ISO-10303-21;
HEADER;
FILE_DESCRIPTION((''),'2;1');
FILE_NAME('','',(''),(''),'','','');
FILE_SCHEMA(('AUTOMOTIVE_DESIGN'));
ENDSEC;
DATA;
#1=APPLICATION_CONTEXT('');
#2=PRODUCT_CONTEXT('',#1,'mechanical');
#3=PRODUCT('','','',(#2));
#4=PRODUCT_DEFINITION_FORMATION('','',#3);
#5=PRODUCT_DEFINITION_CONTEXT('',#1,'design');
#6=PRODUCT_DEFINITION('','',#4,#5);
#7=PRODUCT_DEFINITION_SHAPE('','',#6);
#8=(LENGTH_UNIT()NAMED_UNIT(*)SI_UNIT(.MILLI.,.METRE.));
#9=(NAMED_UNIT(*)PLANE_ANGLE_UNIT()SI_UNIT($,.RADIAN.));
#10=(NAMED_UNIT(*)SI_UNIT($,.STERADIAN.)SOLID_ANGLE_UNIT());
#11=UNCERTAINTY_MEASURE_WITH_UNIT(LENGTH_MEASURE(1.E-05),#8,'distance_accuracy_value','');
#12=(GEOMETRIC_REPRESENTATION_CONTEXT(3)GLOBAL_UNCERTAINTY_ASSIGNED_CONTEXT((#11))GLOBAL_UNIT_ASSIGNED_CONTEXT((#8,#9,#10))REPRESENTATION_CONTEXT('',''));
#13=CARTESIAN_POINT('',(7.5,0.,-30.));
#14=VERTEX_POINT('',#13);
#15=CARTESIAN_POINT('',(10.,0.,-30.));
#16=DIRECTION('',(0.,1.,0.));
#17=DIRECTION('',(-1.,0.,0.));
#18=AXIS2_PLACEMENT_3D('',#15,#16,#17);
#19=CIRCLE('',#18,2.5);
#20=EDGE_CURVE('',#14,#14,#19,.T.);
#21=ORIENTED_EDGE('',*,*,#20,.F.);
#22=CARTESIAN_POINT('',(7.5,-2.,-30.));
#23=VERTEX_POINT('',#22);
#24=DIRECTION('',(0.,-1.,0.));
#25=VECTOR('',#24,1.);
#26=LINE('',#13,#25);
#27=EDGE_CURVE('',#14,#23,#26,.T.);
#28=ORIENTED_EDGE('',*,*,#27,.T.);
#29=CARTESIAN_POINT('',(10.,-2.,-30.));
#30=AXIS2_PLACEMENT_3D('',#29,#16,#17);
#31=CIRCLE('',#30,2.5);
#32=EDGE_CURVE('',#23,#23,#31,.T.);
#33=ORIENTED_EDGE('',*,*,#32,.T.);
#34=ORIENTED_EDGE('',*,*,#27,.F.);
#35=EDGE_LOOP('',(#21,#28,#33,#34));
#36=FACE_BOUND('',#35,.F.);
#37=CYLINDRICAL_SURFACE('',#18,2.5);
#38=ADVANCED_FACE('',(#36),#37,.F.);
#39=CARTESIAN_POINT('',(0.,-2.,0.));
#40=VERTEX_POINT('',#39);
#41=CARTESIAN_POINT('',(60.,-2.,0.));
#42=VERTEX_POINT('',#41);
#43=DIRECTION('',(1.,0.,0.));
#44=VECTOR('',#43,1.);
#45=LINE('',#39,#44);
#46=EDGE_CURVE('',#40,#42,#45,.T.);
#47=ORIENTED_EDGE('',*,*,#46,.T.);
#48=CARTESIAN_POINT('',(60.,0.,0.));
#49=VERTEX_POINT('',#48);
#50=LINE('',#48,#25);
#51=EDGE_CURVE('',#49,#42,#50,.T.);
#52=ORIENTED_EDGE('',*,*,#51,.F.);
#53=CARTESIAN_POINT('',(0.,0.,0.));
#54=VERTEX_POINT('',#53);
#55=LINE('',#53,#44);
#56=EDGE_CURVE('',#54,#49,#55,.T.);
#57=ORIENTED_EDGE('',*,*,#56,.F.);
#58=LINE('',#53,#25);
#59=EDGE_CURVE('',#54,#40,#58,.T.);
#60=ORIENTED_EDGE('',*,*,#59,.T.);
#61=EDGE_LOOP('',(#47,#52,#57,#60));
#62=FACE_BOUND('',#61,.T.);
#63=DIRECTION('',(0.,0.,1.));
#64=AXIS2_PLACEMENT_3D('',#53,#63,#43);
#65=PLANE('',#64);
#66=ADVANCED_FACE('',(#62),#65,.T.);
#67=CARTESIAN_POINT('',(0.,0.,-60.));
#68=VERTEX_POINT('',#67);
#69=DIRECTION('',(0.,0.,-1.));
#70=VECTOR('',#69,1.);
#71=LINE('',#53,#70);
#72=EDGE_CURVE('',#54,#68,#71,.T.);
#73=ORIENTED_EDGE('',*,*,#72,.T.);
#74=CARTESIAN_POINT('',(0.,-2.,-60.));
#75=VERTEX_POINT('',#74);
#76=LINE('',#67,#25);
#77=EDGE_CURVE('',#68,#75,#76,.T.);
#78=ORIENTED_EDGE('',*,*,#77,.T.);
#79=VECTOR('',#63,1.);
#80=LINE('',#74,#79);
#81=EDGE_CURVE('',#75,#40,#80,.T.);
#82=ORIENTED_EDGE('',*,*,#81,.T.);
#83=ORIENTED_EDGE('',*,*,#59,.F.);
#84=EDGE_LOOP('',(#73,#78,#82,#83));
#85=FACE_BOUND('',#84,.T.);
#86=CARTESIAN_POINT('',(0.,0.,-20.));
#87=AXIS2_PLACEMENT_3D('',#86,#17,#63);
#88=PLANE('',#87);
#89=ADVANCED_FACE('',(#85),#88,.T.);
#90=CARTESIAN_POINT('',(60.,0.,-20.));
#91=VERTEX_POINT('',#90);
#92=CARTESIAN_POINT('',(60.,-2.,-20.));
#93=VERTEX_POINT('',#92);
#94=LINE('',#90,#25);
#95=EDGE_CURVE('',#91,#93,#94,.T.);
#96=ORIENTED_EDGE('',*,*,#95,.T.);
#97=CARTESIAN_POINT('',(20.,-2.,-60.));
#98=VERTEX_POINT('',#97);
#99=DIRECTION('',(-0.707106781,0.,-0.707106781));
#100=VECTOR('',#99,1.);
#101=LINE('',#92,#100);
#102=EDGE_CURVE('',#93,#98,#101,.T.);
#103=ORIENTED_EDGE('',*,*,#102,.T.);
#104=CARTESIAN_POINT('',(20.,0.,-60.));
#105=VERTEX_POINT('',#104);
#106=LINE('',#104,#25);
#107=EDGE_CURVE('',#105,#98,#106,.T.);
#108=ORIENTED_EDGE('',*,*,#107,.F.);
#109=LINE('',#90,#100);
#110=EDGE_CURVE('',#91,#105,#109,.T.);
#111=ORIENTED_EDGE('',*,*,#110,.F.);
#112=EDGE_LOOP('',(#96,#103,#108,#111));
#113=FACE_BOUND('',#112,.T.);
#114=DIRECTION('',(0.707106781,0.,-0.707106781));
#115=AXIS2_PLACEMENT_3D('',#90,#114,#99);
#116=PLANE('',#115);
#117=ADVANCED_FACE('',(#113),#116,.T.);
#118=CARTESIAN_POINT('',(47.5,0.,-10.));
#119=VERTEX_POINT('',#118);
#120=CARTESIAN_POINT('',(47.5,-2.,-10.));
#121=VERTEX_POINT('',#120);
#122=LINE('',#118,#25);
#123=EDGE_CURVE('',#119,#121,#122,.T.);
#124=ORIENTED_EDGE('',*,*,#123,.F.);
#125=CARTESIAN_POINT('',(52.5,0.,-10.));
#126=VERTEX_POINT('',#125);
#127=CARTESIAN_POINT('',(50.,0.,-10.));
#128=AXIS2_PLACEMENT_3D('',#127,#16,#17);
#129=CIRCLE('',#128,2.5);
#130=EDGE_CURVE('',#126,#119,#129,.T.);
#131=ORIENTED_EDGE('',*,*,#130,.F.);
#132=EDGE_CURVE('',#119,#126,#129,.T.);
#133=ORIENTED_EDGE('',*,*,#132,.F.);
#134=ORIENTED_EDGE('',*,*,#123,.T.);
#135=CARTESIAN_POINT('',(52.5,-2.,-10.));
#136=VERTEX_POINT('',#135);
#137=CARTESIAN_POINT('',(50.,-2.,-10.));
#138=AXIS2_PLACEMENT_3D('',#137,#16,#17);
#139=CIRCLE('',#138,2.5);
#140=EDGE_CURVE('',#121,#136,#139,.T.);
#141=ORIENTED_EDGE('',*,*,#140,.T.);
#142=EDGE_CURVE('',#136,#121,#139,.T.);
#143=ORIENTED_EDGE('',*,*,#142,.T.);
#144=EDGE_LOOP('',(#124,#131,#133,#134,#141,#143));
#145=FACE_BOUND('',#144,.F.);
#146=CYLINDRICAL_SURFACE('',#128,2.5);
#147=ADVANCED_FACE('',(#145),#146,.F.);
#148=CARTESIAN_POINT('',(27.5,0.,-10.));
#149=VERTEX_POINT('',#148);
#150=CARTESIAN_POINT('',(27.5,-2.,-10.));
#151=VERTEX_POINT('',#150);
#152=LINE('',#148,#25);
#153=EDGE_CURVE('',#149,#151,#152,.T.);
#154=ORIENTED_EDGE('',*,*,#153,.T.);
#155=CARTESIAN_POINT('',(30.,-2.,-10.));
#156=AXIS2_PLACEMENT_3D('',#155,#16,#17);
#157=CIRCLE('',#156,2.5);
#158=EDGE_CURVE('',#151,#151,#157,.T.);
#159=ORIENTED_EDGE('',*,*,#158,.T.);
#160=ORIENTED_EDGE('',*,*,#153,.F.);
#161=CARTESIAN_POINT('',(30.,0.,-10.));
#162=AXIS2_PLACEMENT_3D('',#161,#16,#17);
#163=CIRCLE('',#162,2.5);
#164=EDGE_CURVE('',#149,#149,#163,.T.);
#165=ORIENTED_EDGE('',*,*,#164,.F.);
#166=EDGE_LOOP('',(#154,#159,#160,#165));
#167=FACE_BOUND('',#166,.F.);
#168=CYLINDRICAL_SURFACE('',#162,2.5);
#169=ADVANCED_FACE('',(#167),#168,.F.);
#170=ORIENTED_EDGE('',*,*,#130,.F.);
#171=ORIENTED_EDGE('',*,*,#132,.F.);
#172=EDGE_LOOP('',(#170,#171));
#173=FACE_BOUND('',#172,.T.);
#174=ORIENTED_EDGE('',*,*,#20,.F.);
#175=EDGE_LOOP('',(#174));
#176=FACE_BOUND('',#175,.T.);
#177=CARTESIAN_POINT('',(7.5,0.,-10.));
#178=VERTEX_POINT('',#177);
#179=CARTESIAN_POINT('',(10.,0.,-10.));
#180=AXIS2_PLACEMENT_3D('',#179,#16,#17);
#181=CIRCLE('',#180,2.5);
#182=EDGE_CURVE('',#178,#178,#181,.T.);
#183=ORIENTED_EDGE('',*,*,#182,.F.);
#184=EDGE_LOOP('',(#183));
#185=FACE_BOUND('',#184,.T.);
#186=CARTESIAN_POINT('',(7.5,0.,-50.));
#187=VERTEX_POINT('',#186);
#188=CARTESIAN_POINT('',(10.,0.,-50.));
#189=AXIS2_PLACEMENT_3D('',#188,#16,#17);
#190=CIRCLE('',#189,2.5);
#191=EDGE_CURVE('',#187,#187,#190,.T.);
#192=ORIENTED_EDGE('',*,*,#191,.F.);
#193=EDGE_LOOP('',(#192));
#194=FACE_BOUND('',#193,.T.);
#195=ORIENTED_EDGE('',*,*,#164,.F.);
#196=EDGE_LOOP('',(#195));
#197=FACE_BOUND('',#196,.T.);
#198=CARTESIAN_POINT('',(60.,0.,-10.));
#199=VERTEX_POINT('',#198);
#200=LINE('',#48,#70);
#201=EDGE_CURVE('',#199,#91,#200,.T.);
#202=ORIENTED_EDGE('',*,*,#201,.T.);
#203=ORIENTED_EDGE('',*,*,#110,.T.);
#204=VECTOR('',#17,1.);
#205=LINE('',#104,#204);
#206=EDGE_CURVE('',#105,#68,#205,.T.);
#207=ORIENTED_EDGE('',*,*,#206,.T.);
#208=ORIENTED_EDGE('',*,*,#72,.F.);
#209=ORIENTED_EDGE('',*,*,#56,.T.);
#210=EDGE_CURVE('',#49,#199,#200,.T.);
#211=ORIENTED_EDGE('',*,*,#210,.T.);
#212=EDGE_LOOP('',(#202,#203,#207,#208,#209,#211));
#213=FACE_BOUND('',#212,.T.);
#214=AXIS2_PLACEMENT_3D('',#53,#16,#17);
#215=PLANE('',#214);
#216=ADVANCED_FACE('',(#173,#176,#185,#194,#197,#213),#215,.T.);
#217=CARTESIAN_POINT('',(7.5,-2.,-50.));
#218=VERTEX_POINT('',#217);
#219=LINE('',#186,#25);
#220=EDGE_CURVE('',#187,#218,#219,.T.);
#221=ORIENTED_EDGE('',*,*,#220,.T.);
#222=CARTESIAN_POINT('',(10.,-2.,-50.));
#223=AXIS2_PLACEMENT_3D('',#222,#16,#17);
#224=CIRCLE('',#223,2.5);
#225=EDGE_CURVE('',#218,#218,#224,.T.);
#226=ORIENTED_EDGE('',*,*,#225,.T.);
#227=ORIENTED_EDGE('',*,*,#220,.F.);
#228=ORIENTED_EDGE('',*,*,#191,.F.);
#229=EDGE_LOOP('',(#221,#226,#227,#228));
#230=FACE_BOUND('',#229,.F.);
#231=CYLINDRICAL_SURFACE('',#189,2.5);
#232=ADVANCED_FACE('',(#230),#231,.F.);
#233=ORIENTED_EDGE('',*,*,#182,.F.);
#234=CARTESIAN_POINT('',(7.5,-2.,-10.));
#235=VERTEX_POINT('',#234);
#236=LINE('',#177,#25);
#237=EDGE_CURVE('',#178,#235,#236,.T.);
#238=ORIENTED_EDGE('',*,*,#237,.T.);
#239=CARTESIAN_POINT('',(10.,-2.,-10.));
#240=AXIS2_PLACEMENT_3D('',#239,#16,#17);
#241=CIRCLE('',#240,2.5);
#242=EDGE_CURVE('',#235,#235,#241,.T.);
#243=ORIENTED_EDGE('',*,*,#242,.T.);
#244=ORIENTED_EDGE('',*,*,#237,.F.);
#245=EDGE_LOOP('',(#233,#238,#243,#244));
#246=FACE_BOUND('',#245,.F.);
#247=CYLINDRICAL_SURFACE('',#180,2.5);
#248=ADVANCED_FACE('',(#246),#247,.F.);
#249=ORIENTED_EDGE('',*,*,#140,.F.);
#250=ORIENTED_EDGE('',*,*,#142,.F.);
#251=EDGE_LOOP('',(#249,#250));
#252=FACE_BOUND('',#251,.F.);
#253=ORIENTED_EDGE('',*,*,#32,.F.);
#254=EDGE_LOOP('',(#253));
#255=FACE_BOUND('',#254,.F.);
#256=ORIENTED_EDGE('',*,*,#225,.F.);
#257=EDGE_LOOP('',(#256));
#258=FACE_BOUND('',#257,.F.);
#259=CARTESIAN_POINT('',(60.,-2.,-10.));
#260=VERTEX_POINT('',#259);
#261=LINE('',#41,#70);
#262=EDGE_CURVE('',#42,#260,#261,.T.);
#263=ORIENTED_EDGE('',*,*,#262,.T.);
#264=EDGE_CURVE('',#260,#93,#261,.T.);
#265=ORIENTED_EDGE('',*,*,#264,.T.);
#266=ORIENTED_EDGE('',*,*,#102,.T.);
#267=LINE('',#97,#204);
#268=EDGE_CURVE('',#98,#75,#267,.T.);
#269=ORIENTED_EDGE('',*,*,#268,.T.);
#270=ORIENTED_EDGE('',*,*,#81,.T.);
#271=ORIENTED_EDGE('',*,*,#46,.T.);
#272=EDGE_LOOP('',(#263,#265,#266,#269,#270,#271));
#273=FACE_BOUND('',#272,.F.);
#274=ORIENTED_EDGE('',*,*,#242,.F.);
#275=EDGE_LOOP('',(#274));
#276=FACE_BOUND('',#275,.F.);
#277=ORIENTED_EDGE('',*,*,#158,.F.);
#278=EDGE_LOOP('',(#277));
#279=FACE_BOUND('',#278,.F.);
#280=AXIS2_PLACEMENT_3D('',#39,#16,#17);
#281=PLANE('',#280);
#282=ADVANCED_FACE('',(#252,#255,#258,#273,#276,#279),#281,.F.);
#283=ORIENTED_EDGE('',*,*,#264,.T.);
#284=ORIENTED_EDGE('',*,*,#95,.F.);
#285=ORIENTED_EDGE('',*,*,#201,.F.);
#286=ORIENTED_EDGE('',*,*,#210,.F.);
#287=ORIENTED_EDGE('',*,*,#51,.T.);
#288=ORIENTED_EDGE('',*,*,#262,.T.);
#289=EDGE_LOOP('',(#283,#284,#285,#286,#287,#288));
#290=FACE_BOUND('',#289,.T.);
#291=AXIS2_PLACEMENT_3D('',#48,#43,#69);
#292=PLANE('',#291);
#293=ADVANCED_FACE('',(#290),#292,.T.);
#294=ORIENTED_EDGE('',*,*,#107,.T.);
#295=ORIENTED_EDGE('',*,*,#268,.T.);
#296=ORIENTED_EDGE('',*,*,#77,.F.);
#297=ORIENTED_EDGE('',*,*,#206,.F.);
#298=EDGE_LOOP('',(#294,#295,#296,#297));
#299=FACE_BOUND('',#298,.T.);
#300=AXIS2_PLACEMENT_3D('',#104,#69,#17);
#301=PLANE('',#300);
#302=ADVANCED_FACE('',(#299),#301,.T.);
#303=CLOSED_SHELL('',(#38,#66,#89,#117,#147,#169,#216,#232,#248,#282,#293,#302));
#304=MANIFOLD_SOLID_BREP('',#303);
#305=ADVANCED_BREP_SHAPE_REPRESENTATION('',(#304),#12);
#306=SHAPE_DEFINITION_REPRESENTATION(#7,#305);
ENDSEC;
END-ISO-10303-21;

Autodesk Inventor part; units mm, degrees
ref_plane "YZ Plane" through (0, 0, 0) normal (1, 0, 0) x (0, 1, 0)
ref_plane "XZ Plane" through (0, 0, 0) normal (0, 1, 0) x (-1, 0, 0)
ref_plane "XY Plane" through (0, 0, 0) normal (0, 0, 1) x (1, 0, 0)
sketch "Sketch2" plane through (0, 0, 0) normal (0, 1, 0) x (-1, 0, 0)
  line L0 (0, 0) -> (-60, 0)
  line L1 (-60, 0) -> (-60, -20)
  line L2 (-60, -20) -> (0, -20)
  line L3 (0, -20) -> (0, 0)
  line L4 (0, -20) -> (-20, -20)
  line L5 (-20, -20) -> (-20, -60)
  line L6 (-20, -60) -> (0, -60)
  line L7 (0, -60) -> (0, -20)
  line L8 (-20, -20) -> (-35, -20)
  line L9 (-20, -20) -> (-20, -35)
  line L10 (-60, -20) -> (-20, -60)
  line L11 (-60, 0) -> (-60, -10)
  line L12 (-60, -10) -> (-50, -10)
  circle A0 centre (-50, -10) radius 2.5
  circle A1 centre (-30, -10) radius 2.5
  circle A2 centre (-10, -10) radius 2.5
  circle A3 centre (-10, -30) radius 2.5
  line L13 (0, -80) -> (0, -40)
  circle A4 centre (-10, -50) radius 2.5
  line L14 (0, -100) -> (0, -60)
  dimension "d4" = 60
  dimension "d5" = 20
  dimension "d6" = 20
  dimension "d7" = 40
  dimension "d10" = 10
  dimension "d11" = 10
  dimension "d12" = 5
  dimension "d15" = 20
  dimension "d22" = 20
extrude "Extrusion1" add sketch "Sketch2" against normal blind 2
properties part number "Connect2x2020_m5" material "Aluminum 6061"
